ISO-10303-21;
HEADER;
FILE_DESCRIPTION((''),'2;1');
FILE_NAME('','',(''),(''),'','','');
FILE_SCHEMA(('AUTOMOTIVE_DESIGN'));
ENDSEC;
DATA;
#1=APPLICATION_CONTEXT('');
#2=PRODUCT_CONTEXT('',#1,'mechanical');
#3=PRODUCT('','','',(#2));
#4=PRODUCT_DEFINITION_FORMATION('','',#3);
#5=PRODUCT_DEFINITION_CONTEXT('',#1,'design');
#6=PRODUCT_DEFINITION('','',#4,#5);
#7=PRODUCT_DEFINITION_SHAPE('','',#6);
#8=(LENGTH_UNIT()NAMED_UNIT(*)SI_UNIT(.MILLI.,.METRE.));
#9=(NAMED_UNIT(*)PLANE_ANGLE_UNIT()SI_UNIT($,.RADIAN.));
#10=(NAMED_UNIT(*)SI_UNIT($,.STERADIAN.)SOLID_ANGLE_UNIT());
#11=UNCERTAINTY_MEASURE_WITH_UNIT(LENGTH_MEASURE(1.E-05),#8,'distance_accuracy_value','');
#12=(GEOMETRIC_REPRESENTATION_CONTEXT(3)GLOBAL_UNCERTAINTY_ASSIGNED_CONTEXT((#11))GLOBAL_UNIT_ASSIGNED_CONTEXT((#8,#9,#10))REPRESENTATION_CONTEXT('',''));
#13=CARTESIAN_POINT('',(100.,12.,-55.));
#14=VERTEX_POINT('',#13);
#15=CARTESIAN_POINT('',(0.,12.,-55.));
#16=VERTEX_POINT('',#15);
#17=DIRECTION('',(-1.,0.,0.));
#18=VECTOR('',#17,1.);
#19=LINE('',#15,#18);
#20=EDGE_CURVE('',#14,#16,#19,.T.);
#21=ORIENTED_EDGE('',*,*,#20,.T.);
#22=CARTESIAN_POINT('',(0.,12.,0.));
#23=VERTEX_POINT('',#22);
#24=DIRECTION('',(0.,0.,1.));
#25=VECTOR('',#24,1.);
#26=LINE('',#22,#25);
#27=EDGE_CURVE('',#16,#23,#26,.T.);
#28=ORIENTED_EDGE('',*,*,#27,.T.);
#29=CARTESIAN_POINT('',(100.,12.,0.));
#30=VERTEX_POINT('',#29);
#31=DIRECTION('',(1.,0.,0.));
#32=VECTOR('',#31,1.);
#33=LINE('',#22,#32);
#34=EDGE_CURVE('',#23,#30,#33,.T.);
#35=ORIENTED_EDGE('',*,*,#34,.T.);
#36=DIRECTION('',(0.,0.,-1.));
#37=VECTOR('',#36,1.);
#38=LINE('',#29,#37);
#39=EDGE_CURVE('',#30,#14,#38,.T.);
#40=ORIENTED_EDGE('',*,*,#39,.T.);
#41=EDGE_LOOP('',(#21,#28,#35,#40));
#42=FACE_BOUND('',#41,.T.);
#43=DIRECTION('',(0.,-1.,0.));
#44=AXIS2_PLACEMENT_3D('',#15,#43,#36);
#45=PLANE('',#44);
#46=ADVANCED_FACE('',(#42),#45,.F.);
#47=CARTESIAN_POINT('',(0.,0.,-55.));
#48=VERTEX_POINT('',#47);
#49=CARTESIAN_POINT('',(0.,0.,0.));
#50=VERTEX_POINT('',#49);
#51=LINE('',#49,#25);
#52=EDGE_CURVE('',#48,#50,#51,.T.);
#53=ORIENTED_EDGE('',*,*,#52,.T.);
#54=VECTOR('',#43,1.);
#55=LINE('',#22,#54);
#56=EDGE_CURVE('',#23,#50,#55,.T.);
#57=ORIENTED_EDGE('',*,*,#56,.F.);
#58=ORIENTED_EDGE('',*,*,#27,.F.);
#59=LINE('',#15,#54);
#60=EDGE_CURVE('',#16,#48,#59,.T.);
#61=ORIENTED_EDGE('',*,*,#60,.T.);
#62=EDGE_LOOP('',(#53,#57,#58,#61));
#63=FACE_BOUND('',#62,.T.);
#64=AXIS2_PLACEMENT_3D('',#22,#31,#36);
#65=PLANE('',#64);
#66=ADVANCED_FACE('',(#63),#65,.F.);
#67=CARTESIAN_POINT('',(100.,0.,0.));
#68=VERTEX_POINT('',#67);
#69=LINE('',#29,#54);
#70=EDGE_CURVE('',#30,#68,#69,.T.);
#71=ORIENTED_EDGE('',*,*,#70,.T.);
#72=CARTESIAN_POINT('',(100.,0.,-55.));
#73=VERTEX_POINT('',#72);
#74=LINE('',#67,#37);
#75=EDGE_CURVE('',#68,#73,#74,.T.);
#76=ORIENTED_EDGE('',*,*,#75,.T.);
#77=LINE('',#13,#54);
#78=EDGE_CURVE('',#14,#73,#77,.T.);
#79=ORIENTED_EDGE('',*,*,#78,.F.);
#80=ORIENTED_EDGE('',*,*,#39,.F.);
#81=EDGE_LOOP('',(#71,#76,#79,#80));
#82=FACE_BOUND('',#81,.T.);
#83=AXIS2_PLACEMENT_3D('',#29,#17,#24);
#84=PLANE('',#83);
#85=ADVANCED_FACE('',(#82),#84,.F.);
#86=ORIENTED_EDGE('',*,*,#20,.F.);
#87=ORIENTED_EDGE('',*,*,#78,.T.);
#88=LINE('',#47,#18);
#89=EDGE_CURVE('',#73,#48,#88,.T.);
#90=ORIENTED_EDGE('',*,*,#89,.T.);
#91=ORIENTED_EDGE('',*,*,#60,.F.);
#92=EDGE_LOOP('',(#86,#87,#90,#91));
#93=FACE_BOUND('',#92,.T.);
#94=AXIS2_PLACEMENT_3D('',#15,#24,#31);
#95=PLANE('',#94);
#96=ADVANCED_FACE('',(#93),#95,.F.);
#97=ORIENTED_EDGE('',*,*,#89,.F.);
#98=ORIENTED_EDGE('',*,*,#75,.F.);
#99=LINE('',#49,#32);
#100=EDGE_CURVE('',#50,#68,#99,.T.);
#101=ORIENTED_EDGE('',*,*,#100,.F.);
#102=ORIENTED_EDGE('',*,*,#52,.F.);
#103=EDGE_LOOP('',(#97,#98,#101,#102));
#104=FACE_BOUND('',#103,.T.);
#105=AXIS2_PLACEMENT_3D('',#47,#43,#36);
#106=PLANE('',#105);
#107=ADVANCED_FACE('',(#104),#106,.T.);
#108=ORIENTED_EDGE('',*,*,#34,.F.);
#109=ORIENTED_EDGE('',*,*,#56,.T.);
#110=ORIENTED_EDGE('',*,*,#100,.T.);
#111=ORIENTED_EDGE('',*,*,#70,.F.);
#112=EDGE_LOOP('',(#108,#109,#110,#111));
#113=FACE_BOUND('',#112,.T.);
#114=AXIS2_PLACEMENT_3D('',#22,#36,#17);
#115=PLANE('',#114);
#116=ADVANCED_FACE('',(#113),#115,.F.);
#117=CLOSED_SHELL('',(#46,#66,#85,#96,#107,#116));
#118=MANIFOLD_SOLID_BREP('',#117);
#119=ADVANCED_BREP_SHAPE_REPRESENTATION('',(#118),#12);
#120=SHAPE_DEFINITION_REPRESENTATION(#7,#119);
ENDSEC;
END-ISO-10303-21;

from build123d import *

# Parameters (mm, degrees)
ESQUISSE1_W        = 100
ESQUISSE1_H        = 55
BOSS_EXTRU_1_DEPTH = 12


with BuildPart() as part:
    # Esquisse1 → Boss.-Extru.1 (new body)
    with BuildSketch(Plane(origin=(0, 0, 0), x_dir=(1, 0, 0), z_dir=(0, 1, 0))):
        with Locations((50, 27.5)):
            Rectangle(ESQUISSE1_W, ESQUISSE1_H)
    extrude(amount=BOSS_EXTRU_1_DEPTH)


solid = part.part
